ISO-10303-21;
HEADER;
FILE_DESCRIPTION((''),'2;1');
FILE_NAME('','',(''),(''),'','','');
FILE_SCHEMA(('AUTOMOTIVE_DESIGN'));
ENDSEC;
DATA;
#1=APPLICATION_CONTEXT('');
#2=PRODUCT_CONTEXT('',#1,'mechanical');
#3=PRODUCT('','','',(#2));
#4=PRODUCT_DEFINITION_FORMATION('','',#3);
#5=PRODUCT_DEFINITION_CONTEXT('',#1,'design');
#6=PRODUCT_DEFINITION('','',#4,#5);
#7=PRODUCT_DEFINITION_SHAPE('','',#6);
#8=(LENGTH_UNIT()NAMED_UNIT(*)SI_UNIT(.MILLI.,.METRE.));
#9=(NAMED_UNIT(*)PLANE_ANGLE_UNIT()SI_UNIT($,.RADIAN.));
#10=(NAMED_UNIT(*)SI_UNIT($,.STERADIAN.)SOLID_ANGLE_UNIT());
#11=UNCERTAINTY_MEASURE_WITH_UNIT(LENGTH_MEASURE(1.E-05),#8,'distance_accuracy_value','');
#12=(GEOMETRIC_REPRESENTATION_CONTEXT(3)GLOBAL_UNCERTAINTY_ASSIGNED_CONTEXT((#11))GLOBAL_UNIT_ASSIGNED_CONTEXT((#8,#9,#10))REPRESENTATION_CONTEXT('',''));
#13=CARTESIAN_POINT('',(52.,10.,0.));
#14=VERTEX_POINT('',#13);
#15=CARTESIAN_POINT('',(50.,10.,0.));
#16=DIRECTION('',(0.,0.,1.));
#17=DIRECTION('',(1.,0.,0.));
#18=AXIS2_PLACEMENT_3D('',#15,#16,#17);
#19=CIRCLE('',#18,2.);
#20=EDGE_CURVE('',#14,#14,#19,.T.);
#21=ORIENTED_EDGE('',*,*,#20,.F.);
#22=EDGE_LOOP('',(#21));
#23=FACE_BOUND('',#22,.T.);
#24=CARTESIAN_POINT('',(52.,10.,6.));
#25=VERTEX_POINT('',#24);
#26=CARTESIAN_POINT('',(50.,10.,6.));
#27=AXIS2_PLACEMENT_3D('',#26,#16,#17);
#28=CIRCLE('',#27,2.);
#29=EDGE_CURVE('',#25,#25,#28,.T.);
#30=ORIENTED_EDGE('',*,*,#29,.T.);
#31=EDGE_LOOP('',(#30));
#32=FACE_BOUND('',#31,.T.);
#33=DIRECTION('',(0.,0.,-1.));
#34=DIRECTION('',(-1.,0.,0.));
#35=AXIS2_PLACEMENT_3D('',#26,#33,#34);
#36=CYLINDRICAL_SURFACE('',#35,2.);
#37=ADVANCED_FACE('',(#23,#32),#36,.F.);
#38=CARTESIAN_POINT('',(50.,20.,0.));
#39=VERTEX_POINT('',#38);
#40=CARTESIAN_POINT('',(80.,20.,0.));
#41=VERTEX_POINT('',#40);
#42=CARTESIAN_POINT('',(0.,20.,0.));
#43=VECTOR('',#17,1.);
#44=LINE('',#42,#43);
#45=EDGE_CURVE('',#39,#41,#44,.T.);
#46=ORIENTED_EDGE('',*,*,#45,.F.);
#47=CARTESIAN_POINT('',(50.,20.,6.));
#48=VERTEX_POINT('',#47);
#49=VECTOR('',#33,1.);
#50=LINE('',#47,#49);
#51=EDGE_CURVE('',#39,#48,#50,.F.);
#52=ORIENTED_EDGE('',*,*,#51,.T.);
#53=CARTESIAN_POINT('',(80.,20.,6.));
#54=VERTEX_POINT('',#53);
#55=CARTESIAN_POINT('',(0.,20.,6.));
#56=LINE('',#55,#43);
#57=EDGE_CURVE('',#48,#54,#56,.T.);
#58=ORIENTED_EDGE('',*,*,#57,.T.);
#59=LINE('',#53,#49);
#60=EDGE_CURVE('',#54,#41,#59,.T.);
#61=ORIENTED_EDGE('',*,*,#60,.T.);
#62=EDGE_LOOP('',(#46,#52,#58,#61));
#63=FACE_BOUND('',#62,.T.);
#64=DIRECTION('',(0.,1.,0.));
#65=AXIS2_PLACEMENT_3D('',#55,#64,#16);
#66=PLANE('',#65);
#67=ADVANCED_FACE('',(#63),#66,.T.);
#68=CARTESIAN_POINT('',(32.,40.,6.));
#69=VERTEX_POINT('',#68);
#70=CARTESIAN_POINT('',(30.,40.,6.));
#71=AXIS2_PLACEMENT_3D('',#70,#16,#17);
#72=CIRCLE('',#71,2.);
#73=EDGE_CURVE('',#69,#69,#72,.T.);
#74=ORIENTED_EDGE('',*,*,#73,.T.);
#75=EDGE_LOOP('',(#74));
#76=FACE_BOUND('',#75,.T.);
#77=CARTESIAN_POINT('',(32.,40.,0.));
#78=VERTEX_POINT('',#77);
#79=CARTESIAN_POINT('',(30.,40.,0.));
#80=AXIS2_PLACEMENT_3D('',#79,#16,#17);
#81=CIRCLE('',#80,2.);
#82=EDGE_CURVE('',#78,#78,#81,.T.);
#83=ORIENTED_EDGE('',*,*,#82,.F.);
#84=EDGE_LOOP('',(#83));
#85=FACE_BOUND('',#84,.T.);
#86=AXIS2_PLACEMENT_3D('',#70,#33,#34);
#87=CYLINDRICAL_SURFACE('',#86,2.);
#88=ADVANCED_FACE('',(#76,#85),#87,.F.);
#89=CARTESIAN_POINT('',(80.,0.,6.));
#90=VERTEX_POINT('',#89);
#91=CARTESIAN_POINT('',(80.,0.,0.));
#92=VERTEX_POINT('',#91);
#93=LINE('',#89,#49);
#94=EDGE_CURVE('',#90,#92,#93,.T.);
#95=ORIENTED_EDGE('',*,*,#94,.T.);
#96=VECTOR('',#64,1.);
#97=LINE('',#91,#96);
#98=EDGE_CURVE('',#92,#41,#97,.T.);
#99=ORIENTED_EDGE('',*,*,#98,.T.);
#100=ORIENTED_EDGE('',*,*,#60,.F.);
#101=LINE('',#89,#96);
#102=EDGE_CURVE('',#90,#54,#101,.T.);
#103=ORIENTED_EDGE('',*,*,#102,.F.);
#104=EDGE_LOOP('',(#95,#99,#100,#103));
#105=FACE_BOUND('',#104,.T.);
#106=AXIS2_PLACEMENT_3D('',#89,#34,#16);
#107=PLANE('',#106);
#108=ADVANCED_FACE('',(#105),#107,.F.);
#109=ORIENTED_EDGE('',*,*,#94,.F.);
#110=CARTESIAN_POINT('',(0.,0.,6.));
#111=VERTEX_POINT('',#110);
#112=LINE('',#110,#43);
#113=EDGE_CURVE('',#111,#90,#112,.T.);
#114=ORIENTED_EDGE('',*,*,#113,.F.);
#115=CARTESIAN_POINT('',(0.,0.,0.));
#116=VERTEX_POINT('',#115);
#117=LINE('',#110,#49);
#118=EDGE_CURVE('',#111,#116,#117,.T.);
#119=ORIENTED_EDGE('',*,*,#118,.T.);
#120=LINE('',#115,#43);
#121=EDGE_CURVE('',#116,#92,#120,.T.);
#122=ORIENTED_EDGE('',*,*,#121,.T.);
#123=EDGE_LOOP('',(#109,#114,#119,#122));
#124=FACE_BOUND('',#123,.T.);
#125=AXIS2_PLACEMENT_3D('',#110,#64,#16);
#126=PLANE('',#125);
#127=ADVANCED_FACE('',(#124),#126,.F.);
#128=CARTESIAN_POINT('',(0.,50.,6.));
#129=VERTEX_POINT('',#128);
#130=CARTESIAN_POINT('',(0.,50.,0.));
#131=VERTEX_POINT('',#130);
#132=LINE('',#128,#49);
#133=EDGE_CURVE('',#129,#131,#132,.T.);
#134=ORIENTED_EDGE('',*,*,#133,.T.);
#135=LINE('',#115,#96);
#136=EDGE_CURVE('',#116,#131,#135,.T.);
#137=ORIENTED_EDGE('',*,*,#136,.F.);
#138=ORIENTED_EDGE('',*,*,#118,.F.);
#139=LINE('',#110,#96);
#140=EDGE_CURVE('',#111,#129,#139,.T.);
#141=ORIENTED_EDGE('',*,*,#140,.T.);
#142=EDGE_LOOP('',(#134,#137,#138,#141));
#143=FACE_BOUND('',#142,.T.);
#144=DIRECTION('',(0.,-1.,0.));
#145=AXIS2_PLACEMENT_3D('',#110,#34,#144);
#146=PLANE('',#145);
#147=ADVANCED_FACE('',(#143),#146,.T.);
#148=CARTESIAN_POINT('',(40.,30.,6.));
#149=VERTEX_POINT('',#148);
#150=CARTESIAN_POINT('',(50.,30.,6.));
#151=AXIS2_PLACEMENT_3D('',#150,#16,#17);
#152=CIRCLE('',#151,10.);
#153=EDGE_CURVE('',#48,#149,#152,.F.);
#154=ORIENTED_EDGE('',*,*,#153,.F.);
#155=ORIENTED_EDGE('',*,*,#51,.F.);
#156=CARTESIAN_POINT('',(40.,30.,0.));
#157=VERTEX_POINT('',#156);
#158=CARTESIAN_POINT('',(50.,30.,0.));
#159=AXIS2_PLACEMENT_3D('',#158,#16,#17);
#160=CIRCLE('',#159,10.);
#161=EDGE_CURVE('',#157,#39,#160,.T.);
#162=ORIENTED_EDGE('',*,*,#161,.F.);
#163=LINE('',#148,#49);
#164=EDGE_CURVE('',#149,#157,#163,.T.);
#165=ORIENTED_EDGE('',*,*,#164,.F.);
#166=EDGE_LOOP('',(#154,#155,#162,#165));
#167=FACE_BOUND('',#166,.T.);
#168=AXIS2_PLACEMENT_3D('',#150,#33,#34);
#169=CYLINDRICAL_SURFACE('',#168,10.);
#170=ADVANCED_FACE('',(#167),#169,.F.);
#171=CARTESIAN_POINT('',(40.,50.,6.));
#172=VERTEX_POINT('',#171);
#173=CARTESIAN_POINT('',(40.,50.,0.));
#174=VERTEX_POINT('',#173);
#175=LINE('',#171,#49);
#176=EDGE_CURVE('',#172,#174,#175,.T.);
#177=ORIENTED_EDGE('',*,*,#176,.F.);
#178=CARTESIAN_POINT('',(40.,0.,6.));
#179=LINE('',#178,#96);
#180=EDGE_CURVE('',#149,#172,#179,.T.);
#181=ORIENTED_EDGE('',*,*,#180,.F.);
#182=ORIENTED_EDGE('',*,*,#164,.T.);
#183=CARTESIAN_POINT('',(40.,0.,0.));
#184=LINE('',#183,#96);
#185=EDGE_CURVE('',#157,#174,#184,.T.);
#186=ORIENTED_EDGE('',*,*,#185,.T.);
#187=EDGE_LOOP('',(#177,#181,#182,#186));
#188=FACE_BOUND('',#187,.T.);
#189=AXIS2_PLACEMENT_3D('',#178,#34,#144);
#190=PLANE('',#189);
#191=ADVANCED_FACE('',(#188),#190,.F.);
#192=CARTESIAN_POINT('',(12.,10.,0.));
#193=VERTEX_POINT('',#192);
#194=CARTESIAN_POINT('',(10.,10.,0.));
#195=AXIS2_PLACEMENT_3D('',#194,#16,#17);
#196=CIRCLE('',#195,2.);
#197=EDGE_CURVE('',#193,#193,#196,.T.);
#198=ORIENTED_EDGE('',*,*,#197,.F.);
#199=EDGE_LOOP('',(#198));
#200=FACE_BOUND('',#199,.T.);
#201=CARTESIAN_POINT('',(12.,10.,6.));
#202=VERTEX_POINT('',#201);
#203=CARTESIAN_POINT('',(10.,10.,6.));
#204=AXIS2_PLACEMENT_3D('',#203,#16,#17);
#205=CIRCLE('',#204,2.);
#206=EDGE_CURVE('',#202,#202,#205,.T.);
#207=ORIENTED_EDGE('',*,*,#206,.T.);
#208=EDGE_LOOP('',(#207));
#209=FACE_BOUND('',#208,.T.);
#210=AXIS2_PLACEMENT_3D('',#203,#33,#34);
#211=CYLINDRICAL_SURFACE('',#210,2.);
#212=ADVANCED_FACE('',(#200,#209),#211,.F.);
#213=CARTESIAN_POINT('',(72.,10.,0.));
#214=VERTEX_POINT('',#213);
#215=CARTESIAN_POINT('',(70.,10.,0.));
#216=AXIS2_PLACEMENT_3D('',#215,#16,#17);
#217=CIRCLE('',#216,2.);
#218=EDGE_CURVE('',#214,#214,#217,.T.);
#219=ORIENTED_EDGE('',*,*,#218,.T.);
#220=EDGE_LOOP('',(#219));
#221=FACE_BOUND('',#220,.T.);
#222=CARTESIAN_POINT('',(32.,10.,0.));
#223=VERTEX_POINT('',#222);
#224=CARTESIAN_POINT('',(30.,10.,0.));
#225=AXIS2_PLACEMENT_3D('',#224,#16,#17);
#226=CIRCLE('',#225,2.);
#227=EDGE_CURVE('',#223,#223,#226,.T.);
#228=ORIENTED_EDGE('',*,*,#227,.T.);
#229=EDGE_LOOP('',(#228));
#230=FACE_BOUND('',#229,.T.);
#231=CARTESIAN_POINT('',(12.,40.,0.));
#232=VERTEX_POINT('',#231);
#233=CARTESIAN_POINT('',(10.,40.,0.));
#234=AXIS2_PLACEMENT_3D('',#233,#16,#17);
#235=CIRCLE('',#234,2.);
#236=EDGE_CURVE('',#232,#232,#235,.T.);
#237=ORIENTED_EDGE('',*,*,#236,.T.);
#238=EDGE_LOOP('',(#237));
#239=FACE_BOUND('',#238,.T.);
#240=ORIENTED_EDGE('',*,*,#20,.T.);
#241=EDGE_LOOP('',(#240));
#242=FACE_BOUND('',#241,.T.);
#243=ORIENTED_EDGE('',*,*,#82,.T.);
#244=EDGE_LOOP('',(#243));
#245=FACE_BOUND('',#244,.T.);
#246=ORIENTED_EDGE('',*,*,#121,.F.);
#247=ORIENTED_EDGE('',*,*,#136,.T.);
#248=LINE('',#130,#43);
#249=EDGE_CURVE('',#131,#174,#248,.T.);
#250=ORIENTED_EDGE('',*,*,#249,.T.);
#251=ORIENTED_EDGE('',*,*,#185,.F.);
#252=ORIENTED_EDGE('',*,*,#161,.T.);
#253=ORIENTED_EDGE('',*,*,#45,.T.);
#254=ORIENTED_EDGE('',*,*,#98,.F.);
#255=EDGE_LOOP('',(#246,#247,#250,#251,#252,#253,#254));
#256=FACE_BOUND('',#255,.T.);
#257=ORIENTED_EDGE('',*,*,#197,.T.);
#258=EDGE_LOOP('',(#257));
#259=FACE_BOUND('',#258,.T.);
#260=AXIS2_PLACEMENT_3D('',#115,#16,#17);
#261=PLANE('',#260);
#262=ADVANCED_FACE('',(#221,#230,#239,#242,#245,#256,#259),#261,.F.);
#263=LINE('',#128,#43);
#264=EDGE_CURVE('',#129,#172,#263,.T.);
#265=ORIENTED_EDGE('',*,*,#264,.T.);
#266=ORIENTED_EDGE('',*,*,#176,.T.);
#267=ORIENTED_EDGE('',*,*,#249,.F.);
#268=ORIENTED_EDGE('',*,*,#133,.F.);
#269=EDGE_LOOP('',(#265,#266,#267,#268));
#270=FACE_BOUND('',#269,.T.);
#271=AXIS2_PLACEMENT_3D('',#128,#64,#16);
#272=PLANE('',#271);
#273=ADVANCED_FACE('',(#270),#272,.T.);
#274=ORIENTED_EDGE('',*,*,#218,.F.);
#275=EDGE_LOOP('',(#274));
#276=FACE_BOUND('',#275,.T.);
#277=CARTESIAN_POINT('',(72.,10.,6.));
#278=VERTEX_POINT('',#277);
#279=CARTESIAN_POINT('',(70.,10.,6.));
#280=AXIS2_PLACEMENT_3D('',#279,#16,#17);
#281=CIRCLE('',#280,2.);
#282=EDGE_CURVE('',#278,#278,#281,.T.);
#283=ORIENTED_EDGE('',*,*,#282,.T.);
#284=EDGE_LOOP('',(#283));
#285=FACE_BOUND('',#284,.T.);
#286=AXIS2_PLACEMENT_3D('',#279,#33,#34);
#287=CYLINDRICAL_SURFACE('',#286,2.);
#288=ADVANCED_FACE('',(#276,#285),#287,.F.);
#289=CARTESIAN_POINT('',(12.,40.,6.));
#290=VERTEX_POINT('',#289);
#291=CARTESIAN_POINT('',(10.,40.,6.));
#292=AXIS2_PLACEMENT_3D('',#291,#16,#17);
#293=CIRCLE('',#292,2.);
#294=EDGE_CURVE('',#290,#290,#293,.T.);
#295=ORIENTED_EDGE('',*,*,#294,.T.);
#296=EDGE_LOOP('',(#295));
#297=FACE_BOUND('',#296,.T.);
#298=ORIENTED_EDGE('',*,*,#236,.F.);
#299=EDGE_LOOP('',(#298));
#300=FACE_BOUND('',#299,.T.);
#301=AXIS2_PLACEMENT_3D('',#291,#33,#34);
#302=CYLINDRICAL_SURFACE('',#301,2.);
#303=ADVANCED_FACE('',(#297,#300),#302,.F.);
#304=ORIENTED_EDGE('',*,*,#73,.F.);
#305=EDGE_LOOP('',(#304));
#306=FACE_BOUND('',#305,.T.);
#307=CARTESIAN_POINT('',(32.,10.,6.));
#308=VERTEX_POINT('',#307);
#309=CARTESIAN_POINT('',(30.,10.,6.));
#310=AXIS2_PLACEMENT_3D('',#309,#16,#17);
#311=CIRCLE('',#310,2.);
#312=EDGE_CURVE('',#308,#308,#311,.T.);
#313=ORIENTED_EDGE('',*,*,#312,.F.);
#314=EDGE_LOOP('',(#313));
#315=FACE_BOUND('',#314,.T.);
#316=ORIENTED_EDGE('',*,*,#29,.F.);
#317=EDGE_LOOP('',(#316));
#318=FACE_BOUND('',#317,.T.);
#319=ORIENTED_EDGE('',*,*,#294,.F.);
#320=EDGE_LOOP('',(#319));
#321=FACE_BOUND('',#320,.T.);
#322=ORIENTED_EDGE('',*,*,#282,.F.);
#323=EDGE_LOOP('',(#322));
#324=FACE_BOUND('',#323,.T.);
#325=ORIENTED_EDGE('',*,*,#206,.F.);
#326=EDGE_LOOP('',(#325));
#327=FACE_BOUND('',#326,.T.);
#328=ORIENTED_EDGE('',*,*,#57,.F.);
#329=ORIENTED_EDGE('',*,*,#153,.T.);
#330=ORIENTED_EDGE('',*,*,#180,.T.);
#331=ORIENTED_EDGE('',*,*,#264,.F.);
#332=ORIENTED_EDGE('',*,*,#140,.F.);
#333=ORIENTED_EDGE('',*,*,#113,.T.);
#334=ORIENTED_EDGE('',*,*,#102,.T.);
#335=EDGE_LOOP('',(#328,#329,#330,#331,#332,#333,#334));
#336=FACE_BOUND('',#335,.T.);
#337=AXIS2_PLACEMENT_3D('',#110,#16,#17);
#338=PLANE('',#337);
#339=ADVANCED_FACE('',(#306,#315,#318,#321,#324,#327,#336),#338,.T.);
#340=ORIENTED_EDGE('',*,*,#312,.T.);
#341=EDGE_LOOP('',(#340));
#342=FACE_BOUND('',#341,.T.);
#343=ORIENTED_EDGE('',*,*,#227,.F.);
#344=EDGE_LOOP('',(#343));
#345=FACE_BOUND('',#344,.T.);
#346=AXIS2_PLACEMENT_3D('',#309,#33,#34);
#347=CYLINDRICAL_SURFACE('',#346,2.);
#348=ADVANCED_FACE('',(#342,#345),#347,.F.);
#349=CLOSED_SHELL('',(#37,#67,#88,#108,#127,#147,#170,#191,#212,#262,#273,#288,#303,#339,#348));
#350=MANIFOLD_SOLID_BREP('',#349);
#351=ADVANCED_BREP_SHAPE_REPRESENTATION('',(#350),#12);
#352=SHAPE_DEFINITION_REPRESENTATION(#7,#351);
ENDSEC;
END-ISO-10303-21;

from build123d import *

# Parameters (mm, degrees)
ESBO_O1_W                = 40
ESBO_O1_H                = 50
ESBO_O1_R                = 2
ESBO_O1_H_2              = 20
RESSALTO_EXTRUS_O1_DEPTH = 6
FILETE1_R                = 10


with BuildPart() as part:
    # Esboço1 → Ressalto-extrusão1 (new body)
    # profile 1 of 2: a face of its own
    with BuildSketch(Plane.XY):
        with Locations((20, 25)):
            Rectangle(ESBO_O1_W, ESBO_O1_H)
        with Locations((30, 10)):
            Circle(ESBO_O1_R, mode=Mode.SUBTRACT)
        with Locations((10, 10)):
            Circle(ESBO_O1_R, mode=Mode.SUBTRACT)
        with Locations((30, 40)):
            Circle(ESBO_O1_R, mode=Mode.SUBTRACT)
        with Locations((10, 40)):
            Circle(ESBO_O1_R, mode=Mode.SUBTRACT)
    # profile 2 of 2: a face of its own
    with BuildSketch(Plane.XY):
        with Locations((60, 10)):
            Rectangle(ESBO_O1_W, ESBO_O1_H_2)
        with Locations((50, 10)):
            Circle(ESBO_O1_R, mode=Mode.SUBTRACT)
        with Locations((70, 10)):
            Circle(ESBO_O1_R, mode=Mode.SUBTRACT)
    extrude(amount=RESSALTO_EXTRUS_O1_DEPTH)

    # Filete1
    filete1_edges = [part.edges().sort_by_distance(p)[0] for p in [
        (40, 20, 3),
    ]]
    fillet(filete1_edges, radius=FILETE1_R)


solid = part.part
